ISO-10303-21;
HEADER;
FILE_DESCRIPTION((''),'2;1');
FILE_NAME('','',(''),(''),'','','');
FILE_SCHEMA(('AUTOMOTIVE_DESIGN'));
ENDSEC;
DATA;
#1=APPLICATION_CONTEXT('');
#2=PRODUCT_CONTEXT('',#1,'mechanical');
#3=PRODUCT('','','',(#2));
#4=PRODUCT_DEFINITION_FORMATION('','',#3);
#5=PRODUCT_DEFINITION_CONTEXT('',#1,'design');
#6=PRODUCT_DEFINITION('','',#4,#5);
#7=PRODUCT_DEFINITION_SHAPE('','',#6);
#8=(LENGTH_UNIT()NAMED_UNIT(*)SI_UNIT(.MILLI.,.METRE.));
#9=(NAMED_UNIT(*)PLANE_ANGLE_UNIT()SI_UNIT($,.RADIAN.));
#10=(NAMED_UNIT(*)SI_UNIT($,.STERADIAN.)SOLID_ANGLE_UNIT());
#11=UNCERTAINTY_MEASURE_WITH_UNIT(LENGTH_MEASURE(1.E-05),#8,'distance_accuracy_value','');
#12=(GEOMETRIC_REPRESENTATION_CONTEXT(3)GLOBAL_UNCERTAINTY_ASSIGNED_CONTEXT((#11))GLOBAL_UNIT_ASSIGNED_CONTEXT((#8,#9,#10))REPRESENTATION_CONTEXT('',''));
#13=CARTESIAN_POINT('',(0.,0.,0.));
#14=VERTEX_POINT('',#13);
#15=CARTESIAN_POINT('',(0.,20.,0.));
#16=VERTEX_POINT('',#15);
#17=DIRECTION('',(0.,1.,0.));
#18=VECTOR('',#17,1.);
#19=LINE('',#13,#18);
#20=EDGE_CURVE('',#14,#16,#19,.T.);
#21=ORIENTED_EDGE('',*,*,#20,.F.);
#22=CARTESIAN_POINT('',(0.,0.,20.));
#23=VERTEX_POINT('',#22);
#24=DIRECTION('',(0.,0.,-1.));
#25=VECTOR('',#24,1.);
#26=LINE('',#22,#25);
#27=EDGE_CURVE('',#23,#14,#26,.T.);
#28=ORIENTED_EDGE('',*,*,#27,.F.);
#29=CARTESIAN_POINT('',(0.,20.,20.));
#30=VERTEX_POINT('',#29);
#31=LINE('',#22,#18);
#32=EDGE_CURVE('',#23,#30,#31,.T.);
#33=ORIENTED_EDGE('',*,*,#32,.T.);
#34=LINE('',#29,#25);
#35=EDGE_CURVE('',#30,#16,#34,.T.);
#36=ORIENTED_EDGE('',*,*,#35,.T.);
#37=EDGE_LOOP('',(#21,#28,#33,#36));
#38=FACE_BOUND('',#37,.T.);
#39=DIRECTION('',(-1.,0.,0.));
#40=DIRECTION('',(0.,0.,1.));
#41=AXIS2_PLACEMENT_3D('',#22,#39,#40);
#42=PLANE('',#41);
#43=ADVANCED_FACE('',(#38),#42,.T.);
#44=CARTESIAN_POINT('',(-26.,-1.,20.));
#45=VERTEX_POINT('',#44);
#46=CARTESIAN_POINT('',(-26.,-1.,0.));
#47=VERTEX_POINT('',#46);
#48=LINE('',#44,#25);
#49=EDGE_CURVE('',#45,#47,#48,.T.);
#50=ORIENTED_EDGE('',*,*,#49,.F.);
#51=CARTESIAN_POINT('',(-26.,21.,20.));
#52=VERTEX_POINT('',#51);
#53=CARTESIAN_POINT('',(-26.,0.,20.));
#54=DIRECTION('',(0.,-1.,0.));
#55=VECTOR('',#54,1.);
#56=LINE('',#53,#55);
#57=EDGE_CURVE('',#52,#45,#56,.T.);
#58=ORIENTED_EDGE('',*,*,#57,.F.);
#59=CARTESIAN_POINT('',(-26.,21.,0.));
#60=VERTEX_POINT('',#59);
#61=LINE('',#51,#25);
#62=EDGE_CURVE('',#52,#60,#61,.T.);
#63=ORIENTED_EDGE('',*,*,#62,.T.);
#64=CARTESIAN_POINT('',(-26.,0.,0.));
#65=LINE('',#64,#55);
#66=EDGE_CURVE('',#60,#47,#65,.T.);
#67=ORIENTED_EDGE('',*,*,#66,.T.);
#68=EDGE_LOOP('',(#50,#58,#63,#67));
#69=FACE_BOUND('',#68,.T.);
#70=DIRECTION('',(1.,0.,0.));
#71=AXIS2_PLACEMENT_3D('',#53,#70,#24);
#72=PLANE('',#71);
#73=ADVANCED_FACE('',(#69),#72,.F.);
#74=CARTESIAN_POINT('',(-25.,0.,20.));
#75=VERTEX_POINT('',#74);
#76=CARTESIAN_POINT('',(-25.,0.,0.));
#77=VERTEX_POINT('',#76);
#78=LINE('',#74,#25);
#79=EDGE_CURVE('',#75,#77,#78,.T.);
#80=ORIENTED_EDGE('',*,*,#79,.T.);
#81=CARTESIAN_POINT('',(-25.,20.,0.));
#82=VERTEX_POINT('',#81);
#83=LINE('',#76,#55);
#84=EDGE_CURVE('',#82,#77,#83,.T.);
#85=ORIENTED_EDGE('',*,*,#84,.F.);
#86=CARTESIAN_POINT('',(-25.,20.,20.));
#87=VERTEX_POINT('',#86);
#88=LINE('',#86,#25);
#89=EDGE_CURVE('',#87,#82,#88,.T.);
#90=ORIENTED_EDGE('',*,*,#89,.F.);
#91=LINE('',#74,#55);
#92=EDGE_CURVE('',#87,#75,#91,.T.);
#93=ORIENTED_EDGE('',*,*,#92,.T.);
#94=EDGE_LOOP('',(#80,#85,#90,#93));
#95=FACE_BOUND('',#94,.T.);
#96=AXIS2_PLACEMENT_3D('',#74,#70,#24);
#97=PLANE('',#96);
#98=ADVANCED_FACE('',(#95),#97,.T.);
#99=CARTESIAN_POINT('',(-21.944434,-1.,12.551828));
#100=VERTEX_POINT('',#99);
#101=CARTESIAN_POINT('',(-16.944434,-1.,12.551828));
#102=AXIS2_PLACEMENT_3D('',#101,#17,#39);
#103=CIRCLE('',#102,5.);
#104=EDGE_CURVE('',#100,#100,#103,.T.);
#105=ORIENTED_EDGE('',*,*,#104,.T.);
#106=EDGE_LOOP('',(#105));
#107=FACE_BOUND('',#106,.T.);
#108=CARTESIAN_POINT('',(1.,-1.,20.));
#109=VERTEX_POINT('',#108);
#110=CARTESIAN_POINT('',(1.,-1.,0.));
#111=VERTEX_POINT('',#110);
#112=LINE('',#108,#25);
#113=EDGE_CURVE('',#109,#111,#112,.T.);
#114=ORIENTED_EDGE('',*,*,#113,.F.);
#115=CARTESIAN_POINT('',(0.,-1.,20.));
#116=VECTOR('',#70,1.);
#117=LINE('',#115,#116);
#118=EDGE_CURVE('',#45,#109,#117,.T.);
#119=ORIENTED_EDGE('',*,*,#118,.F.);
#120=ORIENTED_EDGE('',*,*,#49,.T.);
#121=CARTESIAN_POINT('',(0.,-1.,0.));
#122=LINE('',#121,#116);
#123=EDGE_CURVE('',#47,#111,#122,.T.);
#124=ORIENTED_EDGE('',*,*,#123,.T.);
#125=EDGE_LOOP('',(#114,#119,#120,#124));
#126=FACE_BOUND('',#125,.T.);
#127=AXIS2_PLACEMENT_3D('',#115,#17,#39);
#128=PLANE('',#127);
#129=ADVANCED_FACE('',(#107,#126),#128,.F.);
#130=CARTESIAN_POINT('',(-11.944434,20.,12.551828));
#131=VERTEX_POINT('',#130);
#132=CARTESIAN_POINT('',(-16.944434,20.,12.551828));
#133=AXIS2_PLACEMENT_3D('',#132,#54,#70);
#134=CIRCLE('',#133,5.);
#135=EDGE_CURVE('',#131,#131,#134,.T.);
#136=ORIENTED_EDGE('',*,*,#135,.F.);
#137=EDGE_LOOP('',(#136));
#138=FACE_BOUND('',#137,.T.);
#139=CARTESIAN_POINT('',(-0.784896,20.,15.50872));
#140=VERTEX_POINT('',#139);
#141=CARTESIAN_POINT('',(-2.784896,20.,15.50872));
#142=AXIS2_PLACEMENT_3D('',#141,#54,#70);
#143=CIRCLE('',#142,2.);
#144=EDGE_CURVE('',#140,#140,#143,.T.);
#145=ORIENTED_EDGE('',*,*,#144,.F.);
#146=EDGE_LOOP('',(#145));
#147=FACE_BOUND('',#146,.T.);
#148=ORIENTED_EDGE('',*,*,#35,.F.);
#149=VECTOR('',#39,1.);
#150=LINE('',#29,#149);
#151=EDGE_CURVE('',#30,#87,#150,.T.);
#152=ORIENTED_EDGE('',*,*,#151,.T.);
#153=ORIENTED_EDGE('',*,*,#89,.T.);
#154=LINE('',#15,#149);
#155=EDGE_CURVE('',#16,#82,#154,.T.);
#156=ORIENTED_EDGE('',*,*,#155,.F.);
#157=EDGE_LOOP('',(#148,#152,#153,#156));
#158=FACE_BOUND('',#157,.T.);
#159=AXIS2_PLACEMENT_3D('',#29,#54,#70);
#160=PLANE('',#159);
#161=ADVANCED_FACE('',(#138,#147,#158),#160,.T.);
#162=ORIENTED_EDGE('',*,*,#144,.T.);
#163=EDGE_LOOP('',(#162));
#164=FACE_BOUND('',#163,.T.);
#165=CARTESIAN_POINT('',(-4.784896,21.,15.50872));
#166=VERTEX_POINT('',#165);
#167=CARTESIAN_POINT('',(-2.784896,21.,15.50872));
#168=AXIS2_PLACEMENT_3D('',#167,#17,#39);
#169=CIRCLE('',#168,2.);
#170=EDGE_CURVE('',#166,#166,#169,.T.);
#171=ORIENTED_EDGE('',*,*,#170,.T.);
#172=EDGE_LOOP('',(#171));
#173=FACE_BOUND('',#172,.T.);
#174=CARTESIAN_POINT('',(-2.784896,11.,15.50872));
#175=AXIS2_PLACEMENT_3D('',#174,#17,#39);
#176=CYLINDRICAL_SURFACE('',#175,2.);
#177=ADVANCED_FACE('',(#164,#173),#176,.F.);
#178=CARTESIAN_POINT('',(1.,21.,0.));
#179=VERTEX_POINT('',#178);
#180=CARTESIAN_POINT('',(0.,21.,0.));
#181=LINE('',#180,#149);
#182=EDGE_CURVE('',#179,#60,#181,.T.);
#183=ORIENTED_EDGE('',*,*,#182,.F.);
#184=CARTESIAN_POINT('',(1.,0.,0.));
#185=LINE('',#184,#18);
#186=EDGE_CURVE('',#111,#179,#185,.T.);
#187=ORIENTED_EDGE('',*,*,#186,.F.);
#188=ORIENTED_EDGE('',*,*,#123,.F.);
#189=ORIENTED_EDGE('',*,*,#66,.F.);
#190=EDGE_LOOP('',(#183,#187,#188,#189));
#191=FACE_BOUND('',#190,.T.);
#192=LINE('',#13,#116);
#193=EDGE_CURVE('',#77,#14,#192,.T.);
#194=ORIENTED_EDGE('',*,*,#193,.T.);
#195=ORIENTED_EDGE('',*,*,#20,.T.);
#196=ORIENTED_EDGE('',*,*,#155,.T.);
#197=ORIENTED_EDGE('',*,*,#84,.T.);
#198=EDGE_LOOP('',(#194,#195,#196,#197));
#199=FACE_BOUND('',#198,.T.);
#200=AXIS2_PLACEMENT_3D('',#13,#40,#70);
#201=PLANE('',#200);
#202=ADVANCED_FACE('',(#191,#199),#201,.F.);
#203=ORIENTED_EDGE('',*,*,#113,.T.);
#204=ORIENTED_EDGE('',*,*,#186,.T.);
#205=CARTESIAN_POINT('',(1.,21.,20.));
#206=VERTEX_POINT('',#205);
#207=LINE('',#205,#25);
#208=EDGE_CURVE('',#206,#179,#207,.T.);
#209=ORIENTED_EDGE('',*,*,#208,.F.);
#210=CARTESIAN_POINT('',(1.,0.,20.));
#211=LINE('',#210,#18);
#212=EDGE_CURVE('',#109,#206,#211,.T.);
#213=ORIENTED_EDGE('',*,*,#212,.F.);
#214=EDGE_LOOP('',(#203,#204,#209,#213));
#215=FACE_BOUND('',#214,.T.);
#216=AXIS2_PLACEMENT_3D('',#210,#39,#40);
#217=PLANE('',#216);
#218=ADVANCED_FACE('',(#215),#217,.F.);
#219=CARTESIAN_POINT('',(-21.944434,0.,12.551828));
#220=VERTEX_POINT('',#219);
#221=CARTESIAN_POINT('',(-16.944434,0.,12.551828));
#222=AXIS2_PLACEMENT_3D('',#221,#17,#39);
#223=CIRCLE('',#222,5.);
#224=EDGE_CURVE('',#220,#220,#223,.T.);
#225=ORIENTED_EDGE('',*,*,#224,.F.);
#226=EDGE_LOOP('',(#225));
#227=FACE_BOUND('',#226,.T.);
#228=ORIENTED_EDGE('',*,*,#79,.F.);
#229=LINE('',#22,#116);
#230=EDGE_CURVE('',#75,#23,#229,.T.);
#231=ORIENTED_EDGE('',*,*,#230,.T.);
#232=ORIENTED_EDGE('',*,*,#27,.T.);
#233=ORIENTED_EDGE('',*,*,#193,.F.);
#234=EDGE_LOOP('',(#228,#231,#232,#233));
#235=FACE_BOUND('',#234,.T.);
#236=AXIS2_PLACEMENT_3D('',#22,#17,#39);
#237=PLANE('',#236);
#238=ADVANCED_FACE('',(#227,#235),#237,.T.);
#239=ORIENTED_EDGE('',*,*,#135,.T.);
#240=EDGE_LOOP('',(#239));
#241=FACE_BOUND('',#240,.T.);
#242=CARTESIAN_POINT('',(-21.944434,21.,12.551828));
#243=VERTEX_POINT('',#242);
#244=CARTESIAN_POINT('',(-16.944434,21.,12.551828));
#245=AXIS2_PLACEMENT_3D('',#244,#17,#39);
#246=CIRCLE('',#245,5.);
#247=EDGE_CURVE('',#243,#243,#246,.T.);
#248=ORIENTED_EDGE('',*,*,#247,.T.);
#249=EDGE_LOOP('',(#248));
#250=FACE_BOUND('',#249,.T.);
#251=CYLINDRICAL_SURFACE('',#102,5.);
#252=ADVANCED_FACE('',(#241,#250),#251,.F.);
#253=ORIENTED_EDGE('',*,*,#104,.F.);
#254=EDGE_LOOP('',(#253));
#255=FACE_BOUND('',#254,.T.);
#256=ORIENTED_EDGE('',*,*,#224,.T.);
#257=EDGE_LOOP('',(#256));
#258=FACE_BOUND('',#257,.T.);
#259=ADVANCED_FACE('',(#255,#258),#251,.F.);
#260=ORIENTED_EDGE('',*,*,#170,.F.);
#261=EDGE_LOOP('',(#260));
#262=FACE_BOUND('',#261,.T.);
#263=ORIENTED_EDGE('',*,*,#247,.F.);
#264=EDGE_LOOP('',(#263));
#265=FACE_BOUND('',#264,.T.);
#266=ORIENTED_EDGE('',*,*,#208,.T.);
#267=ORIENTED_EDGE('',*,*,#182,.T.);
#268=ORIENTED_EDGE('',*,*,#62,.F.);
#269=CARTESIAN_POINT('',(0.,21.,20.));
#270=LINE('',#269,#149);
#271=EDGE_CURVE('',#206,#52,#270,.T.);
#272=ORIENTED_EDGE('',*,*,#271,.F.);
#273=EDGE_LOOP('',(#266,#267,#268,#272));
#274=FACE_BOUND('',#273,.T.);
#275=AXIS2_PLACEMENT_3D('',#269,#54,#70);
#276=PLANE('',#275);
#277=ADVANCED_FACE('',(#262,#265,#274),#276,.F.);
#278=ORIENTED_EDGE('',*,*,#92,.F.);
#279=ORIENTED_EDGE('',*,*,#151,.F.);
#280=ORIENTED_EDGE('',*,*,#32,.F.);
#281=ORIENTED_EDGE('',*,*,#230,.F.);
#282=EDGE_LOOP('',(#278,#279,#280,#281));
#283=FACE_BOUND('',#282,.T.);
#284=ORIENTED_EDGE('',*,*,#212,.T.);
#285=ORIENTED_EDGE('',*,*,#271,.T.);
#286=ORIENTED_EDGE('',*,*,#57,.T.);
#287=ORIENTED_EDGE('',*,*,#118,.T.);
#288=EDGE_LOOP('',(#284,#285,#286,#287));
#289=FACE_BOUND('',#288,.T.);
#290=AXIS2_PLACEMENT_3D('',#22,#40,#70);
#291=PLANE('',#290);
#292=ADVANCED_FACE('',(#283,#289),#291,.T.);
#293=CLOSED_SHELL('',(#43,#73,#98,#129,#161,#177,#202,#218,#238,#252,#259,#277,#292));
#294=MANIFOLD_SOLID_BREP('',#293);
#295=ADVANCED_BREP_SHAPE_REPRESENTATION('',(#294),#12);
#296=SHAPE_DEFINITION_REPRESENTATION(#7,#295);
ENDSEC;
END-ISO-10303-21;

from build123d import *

# Parameters (mm, degrees)
ESBO_O1_W             = 27
ESBO_O1_H             = 22
ESBO_O1_W_2           = 25
ESBO_O1_H_2           = 20
EXTRUS_O_FINA1_DEPTH  = 20
ESBO_O2_R             = 5
CORTE_EXTRUS_O1_DEPTH = 23
ESBO_O3_R             = 2
CORTE_EXTRUS_O2_DEPTH = 10


with BuildPart() as part:
    # Esboço1 → Extrusão-Fina1 (new body)
    with BuildSketch(Plane.XY):
        with Locations((-12.5, 10)):
            Rectangle(ESBO_O1_W, ESBO_O1_H)
        with Locations((-12.5, 10)):
            Rectangle(ESBO_O1_W_2, ESBO_O1_H_2, mode=Mode.SUBTRACT)
    extrude(amount=EXTRUS_O_FINA1_DEPTH)

    # Esboço2 → Corte-extrusão1 (cut, through all)
    with BuildSketch(Plane(origin=(0, 21, 0), x_dir=(1, 0, 0), z_dir=(0, 1, 0))):
        with Locations(Location((-16.944433868, -12.551828058, 0), (0, 0, 180))):  # turned: the seam where the file's is
            Circle(ESBO_O2_R)
    extrude(amount=-CORTE_EXTRUS_O1_DEPTH, mode=Mode.SUBTRACT)

    # Esboço3 → Corte-extrusão2 (cut)
    with BuildSketch(Plane(origin=(0, 21, 0), x_dir=(1, 0, 0), z_dir=(0, 1, 0))):
        with Locations(Location((-2.78489643, -15.508719635, 0), (0, 0, 180))):  # turned: the seam where the file's is
            Circle(ESBO_O3_R)
    extrude(amount=-CORTE_EXTRUS_O2_DEPTH, mode=Mode.SUBTRACT)


solid = part.part
